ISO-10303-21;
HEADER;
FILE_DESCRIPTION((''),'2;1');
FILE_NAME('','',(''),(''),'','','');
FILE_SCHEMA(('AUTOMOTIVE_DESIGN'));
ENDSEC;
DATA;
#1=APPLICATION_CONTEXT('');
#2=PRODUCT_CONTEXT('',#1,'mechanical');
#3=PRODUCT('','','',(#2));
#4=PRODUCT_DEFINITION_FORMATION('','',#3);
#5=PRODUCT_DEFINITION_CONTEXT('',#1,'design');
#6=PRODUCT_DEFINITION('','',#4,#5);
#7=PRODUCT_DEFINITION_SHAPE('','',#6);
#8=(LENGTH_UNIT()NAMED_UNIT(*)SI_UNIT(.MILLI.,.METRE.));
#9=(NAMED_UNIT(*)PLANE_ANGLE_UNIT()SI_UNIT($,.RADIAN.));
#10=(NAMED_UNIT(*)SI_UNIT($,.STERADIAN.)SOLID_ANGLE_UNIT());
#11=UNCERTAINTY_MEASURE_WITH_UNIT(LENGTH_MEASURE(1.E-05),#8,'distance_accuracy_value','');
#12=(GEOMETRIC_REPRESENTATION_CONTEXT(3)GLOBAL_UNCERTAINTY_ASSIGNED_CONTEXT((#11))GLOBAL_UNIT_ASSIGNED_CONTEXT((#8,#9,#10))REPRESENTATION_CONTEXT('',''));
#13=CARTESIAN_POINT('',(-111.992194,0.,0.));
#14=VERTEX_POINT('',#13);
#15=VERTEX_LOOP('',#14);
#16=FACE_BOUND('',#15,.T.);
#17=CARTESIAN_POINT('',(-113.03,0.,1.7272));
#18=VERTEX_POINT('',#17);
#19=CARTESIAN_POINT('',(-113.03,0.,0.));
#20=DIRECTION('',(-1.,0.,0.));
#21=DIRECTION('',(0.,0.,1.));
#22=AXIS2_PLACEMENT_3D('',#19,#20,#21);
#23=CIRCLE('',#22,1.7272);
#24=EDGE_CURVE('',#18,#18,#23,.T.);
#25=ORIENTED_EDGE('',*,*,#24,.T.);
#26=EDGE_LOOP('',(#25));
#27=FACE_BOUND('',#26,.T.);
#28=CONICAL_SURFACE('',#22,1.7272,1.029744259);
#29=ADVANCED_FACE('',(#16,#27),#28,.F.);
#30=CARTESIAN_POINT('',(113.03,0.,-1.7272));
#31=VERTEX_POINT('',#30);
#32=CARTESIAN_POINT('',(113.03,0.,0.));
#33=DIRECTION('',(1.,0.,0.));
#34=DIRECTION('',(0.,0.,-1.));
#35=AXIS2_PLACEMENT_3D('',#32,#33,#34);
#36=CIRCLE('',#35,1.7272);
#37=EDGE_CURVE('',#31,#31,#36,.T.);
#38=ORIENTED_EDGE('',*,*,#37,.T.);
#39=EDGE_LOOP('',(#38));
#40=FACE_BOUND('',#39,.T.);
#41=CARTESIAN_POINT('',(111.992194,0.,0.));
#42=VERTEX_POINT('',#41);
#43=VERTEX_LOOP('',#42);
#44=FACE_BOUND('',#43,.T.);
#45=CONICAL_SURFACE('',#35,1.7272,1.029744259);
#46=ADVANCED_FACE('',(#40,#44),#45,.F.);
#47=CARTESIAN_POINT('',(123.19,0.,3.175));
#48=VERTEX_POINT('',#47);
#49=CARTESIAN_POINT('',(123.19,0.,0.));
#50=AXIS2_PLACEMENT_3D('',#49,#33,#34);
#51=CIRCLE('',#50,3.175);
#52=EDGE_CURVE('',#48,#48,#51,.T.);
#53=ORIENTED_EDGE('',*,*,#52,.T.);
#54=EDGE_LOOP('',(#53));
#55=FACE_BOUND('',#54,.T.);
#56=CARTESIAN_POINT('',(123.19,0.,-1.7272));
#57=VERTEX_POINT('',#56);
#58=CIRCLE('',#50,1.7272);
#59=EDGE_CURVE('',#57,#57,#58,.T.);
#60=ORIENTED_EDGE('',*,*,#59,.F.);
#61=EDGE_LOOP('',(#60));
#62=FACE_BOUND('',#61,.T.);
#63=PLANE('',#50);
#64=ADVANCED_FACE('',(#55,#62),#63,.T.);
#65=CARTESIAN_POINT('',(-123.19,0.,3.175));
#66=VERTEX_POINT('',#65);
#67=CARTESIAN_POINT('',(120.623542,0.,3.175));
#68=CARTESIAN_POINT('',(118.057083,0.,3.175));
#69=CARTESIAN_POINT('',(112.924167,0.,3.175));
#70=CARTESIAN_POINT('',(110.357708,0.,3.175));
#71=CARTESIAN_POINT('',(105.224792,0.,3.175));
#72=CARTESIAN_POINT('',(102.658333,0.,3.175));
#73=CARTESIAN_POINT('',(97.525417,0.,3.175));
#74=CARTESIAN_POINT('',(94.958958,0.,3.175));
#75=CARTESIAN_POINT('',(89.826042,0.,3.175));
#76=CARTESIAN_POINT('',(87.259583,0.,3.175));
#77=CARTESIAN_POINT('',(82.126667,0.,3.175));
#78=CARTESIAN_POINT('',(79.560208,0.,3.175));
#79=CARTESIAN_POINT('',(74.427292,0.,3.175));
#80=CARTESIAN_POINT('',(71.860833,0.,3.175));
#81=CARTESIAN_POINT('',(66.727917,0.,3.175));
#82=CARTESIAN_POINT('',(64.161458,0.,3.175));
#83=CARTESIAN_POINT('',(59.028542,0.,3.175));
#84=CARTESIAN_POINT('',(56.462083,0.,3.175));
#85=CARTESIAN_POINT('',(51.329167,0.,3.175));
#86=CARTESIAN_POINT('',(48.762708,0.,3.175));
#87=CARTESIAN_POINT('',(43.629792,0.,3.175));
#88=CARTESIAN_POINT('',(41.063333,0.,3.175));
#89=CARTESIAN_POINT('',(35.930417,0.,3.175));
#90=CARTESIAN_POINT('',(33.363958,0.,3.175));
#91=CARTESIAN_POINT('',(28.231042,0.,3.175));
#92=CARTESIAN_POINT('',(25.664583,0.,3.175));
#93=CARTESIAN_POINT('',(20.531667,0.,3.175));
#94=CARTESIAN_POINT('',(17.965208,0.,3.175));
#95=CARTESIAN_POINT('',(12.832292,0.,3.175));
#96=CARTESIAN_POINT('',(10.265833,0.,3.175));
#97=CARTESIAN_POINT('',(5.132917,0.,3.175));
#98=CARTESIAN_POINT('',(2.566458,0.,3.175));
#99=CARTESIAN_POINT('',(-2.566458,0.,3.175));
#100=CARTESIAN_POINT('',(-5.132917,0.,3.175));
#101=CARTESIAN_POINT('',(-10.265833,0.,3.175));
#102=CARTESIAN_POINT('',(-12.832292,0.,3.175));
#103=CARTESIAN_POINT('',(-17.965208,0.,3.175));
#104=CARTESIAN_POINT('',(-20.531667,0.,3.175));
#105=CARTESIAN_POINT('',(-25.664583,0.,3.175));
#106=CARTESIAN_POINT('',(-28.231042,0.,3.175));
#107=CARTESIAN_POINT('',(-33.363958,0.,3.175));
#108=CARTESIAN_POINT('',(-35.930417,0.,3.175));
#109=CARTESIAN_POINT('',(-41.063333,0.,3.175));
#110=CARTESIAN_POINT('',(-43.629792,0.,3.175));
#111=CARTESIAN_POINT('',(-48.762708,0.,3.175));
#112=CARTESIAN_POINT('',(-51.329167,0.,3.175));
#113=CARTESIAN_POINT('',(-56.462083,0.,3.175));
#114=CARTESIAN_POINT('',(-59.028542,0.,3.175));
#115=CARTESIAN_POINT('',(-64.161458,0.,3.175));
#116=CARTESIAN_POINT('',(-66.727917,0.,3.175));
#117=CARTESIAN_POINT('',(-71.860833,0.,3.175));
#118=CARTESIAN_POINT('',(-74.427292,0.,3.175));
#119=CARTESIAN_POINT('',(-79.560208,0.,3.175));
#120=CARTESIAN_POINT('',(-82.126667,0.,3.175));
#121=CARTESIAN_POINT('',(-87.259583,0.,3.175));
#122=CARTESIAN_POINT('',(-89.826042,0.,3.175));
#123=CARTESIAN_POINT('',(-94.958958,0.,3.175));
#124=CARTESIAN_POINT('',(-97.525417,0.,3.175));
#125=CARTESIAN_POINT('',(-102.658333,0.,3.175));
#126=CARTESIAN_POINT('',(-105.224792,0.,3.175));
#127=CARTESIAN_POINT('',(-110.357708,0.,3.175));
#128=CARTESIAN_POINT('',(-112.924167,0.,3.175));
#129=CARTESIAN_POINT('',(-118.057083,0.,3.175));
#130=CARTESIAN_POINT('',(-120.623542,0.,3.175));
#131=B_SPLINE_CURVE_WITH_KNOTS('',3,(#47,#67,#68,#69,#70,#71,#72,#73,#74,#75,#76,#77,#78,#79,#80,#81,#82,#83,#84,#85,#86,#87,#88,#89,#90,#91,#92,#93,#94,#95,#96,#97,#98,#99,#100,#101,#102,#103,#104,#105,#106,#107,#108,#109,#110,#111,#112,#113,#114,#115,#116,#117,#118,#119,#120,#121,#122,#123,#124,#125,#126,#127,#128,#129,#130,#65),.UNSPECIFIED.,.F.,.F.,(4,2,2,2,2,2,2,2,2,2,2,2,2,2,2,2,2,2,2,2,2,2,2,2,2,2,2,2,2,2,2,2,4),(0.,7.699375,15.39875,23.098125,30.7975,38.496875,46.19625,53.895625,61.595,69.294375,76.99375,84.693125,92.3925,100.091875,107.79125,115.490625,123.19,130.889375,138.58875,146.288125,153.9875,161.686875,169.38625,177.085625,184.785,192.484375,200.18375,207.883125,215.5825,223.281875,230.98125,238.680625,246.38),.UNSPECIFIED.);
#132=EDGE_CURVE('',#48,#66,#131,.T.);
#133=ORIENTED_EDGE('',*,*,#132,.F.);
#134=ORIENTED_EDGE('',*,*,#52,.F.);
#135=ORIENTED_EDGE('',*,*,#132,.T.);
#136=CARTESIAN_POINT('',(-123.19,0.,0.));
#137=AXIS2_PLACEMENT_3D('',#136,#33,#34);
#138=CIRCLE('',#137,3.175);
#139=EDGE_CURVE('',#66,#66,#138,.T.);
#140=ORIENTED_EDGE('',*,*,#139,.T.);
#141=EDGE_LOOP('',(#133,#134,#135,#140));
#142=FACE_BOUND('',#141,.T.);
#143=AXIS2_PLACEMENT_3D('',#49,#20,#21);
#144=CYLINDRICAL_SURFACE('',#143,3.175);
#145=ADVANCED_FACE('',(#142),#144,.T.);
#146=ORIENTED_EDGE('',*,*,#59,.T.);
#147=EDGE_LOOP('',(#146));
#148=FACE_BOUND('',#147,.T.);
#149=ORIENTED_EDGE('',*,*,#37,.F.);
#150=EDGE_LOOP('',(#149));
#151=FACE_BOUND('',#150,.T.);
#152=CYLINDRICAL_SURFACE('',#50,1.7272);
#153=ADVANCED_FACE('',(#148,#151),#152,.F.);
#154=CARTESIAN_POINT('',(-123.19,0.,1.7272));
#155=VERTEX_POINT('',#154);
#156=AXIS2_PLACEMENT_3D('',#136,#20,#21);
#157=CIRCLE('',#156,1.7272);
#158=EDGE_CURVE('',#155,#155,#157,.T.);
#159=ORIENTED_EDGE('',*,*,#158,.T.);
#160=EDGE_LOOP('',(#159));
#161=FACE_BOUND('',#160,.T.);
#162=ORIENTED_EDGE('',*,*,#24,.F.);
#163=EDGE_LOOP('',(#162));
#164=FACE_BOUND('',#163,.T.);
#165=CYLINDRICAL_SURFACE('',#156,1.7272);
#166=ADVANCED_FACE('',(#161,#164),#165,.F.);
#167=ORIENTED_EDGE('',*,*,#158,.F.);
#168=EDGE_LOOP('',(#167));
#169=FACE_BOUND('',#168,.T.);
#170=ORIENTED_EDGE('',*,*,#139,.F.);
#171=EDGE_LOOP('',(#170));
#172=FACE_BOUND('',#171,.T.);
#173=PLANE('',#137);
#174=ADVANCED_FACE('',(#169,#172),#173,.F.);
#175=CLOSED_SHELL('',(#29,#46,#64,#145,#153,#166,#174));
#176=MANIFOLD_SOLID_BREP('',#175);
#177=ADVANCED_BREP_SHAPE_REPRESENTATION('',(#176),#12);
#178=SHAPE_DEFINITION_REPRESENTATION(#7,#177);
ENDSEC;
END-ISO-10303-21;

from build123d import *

# Parameters (mm, degrees)
SKETCH1_R           = 3.175
BOSS_EXTRUDE1_DEPTH = 123.19


with BuildPart() as part:
    # Sketch1 → Boss-Extrude1 (new, symmetric)
    with BuildSketch(Plane(origin=(0, 0, 0), x_dir=(0, 0, -1), z_dir=(1, 0, 0))):
        with Locations(Location((0, 0, 0), (0, 0, 180))):
            Circle(SKETCH1_R)
    extrude(amount=BOSS_EXTRUDE1_DEPTH, both=True)

    # Sketch4 → Tap Drill for #8-32 Tap1 (revolve, cut)
    with BuildSketch(Plane(origin=(123.19, 0, 0), x_dir=(0, 0, -1), z_dir=(0, 1, 0))):
        Polygon((0, 0), (0, 11.197806461), (1.7272, 10.16), (1.7272, 0), align=None)
    tap_drill_for_8_32_tap1 = revolve(axis=Axis((129.54, 0, 0), (-1, 0, 0)), mode=Mode.SUBTRACT)

    # Mirror1: Tap Drill for #8-32 Tap1 across plane
    add(tap_drill_for_8_32_tap1.mirror(Plane(origin=(0, 0, 0), x_dir=(0, 0, 1), z_dir=(1, 0, 0))), mode=Mode.SUBTRACT)


solid = part.part
